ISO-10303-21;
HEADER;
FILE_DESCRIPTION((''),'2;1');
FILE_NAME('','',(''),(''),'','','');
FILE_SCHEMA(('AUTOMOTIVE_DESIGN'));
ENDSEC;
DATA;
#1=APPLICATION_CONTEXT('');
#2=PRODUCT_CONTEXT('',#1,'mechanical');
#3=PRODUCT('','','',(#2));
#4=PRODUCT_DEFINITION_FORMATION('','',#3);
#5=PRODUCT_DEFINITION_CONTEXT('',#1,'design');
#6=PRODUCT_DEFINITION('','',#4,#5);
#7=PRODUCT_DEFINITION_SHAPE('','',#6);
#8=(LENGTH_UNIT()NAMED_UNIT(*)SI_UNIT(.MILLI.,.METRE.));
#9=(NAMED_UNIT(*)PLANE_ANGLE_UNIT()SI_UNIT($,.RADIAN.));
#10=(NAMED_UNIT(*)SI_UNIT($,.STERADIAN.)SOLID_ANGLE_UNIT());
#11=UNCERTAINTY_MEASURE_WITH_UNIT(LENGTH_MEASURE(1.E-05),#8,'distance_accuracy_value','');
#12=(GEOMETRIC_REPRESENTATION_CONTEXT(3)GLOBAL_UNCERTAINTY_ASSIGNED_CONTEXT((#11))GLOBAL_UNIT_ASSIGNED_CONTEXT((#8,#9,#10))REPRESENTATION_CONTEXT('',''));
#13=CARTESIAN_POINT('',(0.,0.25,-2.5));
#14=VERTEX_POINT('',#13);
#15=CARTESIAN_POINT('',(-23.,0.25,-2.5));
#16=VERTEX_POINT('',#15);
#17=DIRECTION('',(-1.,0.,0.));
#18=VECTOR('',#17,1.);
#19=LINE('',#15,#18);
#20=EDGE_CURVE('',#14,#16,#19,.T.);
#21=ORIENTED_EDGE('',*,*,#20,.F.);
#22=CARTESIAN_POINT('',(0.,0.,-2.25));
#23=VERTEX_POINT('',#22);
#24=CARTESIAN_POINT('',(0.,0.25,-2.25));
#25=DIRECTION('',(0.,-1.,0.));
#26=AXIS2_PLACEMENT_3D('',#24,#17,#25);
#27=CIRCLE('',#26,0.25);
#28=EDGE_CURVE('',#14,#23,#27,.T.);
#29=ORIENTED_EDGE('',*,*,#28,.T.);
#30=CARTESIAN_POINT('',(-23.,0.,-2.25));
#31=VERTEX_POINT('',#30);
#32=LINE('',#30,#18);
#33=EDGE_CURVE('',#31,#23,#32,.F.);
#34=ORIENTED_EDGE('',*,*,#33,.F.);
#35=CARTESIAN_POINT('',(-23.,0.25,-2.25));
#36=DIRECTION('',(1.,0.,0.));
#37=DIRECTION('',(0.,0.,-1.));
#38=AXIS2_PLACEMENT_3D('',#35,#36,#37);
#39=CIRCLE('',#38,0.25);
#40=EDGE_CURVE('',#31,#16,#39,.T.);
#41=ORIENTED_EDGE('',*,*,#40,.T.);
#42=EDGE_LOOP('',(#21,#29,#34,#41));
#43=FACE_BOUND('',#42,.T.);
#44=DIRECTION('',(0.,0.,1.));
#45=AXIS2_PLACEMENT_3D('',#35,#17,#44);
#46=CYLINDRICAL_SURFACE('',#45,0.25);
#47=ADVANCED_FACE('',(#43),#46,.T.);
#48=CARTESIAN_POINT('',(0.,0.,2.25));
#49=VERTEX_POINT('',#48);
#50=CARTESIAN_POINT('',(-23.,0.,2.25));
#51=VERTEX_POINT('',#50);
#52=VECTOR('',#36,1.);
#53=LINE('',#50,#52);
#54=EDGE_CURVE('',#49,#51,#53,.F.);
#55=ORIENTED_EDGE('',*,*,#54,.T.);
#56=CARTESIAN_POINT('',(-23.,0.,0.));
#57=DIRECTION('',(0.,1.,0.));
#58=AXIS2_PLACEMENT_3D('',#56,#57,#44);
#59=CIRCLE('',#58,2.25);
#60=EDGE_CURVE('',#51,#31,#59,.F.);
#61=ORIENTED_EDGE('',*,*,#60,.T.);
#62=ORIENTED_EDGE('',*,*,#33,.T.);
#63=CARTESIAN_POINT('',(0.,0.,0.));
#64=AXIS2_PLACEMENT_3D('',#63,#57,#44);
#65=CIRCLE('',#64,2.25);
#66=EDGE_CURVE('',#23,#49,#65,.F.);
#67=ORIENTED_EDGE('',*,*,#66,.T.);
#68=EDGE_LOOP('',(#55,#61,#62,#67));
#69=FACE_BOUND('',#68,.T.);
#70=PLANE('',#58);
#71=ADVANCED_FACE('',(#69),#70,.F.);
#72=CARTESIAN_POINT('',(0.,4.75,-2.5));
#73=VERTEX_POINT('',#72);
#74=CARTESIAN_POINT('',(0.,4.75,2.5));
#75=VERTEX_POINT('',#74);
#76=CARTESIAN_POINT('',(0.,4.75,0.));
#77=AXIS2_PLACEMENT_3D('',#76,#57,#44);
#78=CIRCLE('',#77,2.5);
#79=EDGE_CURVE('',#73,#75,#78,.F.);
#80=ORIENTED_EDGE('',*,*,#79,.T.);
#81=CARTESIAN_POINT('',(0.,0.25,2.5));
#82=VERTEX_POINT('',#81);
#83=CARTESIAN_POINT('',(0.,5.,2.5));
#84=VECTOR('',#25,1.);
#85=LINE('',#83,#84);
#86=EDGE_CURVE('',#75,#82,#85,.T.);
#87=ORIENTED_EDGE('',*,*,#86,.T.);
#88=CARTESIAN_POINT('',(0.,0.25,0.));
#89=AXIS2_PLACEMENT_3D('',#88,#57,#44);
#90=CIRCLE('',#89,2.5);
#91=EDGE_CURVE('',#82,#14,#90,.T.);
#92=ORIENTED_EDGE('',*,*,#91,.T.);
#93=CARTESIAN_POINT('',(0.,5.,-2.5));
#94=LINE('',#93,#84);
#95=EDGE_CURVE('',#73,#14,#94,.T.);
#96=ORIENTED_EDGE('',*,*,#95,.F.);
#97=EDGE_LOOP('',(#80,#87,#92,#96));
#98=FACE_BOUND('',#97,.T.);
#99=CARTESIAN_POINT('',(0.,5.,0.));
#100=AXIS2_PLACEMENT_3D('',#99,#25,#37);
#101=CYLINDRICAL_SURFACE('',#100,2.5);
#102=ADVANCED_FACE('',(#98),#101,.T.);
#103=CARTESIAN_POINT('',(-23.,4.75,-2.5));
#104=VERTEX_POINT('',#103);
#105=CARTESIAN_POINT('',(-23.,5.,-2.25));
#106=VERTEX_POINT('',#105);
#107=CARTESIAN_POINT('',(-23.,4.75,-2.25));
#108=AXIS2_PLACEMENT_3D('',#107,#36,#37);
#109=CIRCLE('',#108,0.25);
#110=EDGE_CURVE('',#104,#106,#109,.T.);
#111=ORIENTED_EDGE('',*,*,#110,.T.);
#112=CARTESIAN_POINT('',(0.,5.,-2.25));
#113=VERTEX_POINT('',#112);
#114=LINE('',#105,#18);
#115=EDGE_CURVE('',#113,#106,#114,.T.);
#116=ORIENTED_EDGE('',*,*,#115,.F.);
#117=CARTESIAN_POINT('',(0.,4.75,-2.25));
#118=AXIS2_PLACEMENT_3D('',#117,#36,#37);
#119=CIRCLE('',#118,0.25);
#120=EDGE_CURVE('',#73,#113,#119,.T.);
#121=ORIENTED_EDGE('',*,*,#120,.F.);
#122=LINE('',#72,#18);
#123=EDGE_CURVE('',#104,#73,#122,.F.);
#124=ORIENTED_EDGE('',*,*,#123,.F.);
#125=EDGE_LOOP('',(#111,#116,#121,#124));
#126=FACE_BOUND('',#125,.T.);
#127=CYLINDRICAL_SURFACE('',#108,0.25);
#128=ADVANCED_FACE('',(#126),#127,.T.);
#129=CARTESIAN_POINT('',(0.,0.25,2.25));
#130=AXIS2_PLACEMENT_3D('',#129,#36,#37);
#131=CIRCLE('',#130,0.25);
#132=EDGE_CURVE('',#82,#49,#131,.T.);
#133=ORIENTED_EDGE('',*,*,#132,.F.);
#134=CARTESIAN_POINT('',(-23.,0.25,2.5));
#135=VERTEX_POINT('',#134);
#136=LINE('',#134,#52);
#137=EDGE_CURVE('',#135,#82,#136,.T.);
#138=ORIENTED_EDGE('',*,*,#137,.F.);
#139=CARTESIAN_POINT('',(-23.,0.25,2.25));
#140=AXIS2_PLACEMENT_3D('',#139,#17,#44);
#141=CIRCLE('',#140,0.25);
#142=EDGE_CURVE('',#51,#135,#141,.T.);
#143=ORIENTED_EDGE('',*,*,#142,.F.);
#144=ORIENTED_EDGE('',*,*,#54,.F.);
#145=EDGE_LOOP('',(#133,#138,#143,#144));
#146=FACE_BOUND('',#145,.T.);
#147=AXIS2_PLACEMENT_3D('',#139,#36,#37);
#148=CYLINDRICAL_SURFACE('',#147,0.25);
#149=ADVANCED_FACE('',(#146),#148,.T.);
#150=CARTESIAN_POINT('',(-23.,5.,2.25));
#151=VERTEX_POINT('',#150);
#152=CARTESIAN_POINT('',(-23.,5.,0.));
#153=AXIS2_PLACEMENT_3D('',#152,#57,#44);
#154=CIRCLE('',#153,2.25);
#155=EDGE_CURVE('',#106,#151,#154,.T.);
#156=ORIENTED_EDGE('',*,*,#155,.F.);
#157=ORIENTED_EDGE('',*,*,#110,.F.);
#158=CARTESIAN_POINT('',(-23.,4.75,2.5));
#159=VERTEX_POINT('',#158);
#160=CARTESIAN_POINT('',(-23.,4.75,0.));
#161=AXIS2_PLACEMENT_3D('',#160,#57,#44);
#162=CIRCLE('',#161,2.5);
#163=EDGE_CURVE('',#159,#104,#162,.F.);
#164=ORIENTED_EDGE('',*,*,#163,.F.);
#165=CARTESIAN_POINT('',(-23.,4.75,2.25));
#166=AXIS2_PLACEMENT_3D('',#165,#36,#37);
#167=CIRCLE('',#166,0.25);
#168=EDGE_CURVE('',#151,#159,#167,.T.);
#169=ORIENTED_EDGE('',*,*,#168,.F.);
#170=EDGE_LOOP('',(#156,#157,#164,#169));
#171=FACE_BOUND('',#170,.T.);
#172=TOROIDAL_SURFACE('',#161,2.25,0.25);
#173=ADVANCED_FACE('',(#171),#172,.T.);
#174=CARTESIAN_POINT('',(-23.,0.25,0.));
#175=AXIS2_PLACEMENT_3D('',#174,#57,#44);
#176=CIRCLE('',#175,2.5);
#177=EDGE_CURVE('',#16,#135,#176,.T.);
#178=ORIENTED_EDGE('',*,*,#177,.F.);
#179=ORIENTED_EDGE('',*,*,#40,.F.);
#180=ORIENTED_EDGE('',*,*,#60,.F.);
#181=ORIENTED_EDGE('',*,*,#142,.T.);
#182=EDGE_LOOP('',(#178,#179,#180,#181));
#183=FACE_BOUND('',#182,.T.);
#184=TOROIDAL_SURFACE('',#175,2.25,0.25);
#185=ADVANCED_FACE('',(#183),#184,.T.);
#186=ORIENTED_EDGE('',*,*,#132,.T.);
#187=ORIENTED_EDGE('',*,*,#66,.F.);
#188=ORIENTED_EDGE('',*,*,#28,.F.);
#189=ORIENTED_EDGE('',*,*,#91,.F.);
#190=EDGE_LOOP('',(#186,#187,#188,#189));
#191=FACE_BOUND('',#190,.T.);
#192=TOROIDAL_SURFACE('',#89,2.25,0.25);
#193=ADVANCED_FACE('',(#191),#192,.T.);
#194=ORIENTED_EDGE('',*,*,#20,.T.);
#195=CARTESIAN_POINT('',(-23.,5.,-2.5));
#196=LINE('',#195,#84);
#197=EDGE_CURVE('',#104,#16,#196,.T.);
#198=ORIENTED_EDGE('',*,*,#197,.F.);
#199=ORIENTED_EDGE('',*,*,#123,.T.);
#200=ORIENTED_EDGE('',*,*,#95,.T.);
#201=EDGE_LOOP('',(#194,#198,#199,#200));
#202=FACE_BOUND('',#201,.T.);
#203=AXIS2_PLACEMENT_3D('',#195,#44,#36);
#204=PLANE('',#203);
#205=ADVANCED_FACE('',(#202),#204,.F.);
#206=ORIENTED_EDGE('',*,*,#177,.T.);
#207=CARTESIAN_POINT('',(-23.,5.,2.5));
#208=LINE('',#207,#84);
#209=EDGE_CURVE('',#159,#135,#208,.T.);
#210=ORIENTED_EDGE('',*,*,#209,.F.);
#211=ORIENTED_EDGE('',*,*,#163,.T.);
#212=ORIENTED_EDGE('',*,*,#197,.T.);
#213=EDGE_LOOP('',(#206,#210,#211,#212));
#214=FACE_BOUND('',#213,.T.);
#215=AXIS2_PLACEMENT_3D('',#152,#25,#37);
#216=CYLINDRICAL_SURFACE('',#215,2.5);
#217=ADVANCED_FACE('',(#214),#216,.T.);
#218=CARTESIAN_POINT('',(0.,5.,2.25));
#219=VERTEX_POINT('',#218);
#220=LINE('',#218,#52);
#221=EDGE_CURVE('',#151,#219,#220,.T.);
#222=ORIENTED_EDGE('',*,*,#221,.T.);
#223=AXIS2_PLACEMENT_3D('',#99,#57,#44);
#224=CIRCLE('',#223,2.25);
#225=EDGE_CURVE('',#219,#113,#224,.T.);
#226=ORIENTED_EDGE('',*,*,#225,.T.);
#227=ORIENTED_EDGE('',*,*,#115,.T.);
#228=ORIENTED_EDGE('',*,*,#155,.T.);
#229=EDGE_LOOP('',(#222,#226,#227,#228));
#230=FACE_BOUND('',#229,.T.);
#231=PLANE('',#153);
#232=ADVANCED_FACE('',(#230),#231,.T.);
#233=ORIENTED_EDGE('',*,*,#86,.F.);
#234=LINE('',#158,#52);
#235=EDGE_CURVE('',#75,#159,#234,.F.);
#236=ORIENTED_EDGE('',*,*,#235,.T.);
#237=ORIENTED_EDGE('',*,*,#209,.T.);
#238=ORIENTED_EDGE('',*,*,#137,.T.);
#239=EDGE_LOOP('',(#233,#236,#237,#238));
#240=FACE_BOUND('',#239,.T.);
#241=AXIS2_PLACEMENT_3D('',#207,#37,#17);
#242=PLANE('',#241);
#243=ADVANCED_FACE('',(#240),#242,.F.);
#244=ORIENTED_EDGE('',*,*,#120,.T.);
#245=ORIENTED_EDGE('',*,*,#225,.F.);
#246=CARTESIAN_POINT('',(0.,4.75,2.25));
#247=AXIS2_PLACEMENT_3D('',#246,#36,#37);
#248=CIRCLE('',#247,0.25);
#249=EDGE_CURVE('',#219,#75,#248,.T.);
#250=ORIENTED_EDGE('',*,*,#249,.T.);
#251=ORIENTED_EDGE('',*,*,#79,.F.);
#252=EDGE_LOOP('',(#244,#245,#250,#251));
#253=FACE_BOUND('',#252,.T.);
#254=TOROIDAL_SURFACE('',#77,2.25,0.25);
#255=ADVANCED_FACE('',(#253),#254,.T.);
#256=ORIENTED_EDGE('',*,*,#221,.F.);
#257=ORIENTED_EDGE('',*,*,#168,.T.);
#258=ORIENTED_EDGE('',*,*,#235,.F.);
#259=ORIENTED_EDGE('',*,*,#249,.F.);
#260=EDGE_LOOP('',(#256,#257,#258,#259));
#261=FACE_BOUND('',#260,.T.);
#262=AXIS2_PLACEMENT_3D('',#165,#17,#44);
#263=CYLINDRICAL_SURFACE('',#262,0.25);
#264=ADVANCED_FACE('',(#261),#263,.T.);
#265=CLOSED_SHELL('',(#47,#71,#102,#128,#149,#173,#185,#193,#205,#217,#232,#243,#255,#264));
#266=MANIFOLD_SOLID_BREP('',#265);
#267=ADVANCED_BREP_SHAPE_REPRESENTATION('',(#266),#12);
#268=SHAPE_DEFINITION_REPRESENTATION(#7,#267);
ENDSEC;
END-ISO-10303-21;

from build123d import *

# Parameters (mm, degrees)
EXTRUDE1_DEPTH = 5
FILLET1_R      = 0.25


with BuildPart() as part:
    # Sketch1 → Extrude1 (new body)
    with BuildSketch(Plane(origin=(0, 0, 0), x_dir=(1, 0, 0), z_dir=(0, 1, 0))):
        with BuildLine():
            Line((-23, 2.5), (0, 2.5))
            ThreePointArc((0, 2.5), (2.5, 0), (0, -2.5))
            Line((0, -2.5), (-23, -2.5))
            ThreePointArc((-23, -2.5), (-25.5, 0), (-23, 2.5))
        make_face()
    extrude(amount=EXTRUDE1_DEPTH)

    # Fillet1
    fillet1_edges = [part.edges().sort_by_distance(p)[0] for p in [
        (2.5, 5, 0),
        (-11.5, 5, -2.5),
        (-25.5, 5, 0),
        (-11.5, 0, -2.5),
        (2.5, 0, 0),
        (-11.5, 0, 2.5),
        (-25.5, 0, 0),
        (-11.5, 5, 2.5),
    ]]
    fillet(fillet1_edges, radius=FILLET1_R)


solid = part.part
